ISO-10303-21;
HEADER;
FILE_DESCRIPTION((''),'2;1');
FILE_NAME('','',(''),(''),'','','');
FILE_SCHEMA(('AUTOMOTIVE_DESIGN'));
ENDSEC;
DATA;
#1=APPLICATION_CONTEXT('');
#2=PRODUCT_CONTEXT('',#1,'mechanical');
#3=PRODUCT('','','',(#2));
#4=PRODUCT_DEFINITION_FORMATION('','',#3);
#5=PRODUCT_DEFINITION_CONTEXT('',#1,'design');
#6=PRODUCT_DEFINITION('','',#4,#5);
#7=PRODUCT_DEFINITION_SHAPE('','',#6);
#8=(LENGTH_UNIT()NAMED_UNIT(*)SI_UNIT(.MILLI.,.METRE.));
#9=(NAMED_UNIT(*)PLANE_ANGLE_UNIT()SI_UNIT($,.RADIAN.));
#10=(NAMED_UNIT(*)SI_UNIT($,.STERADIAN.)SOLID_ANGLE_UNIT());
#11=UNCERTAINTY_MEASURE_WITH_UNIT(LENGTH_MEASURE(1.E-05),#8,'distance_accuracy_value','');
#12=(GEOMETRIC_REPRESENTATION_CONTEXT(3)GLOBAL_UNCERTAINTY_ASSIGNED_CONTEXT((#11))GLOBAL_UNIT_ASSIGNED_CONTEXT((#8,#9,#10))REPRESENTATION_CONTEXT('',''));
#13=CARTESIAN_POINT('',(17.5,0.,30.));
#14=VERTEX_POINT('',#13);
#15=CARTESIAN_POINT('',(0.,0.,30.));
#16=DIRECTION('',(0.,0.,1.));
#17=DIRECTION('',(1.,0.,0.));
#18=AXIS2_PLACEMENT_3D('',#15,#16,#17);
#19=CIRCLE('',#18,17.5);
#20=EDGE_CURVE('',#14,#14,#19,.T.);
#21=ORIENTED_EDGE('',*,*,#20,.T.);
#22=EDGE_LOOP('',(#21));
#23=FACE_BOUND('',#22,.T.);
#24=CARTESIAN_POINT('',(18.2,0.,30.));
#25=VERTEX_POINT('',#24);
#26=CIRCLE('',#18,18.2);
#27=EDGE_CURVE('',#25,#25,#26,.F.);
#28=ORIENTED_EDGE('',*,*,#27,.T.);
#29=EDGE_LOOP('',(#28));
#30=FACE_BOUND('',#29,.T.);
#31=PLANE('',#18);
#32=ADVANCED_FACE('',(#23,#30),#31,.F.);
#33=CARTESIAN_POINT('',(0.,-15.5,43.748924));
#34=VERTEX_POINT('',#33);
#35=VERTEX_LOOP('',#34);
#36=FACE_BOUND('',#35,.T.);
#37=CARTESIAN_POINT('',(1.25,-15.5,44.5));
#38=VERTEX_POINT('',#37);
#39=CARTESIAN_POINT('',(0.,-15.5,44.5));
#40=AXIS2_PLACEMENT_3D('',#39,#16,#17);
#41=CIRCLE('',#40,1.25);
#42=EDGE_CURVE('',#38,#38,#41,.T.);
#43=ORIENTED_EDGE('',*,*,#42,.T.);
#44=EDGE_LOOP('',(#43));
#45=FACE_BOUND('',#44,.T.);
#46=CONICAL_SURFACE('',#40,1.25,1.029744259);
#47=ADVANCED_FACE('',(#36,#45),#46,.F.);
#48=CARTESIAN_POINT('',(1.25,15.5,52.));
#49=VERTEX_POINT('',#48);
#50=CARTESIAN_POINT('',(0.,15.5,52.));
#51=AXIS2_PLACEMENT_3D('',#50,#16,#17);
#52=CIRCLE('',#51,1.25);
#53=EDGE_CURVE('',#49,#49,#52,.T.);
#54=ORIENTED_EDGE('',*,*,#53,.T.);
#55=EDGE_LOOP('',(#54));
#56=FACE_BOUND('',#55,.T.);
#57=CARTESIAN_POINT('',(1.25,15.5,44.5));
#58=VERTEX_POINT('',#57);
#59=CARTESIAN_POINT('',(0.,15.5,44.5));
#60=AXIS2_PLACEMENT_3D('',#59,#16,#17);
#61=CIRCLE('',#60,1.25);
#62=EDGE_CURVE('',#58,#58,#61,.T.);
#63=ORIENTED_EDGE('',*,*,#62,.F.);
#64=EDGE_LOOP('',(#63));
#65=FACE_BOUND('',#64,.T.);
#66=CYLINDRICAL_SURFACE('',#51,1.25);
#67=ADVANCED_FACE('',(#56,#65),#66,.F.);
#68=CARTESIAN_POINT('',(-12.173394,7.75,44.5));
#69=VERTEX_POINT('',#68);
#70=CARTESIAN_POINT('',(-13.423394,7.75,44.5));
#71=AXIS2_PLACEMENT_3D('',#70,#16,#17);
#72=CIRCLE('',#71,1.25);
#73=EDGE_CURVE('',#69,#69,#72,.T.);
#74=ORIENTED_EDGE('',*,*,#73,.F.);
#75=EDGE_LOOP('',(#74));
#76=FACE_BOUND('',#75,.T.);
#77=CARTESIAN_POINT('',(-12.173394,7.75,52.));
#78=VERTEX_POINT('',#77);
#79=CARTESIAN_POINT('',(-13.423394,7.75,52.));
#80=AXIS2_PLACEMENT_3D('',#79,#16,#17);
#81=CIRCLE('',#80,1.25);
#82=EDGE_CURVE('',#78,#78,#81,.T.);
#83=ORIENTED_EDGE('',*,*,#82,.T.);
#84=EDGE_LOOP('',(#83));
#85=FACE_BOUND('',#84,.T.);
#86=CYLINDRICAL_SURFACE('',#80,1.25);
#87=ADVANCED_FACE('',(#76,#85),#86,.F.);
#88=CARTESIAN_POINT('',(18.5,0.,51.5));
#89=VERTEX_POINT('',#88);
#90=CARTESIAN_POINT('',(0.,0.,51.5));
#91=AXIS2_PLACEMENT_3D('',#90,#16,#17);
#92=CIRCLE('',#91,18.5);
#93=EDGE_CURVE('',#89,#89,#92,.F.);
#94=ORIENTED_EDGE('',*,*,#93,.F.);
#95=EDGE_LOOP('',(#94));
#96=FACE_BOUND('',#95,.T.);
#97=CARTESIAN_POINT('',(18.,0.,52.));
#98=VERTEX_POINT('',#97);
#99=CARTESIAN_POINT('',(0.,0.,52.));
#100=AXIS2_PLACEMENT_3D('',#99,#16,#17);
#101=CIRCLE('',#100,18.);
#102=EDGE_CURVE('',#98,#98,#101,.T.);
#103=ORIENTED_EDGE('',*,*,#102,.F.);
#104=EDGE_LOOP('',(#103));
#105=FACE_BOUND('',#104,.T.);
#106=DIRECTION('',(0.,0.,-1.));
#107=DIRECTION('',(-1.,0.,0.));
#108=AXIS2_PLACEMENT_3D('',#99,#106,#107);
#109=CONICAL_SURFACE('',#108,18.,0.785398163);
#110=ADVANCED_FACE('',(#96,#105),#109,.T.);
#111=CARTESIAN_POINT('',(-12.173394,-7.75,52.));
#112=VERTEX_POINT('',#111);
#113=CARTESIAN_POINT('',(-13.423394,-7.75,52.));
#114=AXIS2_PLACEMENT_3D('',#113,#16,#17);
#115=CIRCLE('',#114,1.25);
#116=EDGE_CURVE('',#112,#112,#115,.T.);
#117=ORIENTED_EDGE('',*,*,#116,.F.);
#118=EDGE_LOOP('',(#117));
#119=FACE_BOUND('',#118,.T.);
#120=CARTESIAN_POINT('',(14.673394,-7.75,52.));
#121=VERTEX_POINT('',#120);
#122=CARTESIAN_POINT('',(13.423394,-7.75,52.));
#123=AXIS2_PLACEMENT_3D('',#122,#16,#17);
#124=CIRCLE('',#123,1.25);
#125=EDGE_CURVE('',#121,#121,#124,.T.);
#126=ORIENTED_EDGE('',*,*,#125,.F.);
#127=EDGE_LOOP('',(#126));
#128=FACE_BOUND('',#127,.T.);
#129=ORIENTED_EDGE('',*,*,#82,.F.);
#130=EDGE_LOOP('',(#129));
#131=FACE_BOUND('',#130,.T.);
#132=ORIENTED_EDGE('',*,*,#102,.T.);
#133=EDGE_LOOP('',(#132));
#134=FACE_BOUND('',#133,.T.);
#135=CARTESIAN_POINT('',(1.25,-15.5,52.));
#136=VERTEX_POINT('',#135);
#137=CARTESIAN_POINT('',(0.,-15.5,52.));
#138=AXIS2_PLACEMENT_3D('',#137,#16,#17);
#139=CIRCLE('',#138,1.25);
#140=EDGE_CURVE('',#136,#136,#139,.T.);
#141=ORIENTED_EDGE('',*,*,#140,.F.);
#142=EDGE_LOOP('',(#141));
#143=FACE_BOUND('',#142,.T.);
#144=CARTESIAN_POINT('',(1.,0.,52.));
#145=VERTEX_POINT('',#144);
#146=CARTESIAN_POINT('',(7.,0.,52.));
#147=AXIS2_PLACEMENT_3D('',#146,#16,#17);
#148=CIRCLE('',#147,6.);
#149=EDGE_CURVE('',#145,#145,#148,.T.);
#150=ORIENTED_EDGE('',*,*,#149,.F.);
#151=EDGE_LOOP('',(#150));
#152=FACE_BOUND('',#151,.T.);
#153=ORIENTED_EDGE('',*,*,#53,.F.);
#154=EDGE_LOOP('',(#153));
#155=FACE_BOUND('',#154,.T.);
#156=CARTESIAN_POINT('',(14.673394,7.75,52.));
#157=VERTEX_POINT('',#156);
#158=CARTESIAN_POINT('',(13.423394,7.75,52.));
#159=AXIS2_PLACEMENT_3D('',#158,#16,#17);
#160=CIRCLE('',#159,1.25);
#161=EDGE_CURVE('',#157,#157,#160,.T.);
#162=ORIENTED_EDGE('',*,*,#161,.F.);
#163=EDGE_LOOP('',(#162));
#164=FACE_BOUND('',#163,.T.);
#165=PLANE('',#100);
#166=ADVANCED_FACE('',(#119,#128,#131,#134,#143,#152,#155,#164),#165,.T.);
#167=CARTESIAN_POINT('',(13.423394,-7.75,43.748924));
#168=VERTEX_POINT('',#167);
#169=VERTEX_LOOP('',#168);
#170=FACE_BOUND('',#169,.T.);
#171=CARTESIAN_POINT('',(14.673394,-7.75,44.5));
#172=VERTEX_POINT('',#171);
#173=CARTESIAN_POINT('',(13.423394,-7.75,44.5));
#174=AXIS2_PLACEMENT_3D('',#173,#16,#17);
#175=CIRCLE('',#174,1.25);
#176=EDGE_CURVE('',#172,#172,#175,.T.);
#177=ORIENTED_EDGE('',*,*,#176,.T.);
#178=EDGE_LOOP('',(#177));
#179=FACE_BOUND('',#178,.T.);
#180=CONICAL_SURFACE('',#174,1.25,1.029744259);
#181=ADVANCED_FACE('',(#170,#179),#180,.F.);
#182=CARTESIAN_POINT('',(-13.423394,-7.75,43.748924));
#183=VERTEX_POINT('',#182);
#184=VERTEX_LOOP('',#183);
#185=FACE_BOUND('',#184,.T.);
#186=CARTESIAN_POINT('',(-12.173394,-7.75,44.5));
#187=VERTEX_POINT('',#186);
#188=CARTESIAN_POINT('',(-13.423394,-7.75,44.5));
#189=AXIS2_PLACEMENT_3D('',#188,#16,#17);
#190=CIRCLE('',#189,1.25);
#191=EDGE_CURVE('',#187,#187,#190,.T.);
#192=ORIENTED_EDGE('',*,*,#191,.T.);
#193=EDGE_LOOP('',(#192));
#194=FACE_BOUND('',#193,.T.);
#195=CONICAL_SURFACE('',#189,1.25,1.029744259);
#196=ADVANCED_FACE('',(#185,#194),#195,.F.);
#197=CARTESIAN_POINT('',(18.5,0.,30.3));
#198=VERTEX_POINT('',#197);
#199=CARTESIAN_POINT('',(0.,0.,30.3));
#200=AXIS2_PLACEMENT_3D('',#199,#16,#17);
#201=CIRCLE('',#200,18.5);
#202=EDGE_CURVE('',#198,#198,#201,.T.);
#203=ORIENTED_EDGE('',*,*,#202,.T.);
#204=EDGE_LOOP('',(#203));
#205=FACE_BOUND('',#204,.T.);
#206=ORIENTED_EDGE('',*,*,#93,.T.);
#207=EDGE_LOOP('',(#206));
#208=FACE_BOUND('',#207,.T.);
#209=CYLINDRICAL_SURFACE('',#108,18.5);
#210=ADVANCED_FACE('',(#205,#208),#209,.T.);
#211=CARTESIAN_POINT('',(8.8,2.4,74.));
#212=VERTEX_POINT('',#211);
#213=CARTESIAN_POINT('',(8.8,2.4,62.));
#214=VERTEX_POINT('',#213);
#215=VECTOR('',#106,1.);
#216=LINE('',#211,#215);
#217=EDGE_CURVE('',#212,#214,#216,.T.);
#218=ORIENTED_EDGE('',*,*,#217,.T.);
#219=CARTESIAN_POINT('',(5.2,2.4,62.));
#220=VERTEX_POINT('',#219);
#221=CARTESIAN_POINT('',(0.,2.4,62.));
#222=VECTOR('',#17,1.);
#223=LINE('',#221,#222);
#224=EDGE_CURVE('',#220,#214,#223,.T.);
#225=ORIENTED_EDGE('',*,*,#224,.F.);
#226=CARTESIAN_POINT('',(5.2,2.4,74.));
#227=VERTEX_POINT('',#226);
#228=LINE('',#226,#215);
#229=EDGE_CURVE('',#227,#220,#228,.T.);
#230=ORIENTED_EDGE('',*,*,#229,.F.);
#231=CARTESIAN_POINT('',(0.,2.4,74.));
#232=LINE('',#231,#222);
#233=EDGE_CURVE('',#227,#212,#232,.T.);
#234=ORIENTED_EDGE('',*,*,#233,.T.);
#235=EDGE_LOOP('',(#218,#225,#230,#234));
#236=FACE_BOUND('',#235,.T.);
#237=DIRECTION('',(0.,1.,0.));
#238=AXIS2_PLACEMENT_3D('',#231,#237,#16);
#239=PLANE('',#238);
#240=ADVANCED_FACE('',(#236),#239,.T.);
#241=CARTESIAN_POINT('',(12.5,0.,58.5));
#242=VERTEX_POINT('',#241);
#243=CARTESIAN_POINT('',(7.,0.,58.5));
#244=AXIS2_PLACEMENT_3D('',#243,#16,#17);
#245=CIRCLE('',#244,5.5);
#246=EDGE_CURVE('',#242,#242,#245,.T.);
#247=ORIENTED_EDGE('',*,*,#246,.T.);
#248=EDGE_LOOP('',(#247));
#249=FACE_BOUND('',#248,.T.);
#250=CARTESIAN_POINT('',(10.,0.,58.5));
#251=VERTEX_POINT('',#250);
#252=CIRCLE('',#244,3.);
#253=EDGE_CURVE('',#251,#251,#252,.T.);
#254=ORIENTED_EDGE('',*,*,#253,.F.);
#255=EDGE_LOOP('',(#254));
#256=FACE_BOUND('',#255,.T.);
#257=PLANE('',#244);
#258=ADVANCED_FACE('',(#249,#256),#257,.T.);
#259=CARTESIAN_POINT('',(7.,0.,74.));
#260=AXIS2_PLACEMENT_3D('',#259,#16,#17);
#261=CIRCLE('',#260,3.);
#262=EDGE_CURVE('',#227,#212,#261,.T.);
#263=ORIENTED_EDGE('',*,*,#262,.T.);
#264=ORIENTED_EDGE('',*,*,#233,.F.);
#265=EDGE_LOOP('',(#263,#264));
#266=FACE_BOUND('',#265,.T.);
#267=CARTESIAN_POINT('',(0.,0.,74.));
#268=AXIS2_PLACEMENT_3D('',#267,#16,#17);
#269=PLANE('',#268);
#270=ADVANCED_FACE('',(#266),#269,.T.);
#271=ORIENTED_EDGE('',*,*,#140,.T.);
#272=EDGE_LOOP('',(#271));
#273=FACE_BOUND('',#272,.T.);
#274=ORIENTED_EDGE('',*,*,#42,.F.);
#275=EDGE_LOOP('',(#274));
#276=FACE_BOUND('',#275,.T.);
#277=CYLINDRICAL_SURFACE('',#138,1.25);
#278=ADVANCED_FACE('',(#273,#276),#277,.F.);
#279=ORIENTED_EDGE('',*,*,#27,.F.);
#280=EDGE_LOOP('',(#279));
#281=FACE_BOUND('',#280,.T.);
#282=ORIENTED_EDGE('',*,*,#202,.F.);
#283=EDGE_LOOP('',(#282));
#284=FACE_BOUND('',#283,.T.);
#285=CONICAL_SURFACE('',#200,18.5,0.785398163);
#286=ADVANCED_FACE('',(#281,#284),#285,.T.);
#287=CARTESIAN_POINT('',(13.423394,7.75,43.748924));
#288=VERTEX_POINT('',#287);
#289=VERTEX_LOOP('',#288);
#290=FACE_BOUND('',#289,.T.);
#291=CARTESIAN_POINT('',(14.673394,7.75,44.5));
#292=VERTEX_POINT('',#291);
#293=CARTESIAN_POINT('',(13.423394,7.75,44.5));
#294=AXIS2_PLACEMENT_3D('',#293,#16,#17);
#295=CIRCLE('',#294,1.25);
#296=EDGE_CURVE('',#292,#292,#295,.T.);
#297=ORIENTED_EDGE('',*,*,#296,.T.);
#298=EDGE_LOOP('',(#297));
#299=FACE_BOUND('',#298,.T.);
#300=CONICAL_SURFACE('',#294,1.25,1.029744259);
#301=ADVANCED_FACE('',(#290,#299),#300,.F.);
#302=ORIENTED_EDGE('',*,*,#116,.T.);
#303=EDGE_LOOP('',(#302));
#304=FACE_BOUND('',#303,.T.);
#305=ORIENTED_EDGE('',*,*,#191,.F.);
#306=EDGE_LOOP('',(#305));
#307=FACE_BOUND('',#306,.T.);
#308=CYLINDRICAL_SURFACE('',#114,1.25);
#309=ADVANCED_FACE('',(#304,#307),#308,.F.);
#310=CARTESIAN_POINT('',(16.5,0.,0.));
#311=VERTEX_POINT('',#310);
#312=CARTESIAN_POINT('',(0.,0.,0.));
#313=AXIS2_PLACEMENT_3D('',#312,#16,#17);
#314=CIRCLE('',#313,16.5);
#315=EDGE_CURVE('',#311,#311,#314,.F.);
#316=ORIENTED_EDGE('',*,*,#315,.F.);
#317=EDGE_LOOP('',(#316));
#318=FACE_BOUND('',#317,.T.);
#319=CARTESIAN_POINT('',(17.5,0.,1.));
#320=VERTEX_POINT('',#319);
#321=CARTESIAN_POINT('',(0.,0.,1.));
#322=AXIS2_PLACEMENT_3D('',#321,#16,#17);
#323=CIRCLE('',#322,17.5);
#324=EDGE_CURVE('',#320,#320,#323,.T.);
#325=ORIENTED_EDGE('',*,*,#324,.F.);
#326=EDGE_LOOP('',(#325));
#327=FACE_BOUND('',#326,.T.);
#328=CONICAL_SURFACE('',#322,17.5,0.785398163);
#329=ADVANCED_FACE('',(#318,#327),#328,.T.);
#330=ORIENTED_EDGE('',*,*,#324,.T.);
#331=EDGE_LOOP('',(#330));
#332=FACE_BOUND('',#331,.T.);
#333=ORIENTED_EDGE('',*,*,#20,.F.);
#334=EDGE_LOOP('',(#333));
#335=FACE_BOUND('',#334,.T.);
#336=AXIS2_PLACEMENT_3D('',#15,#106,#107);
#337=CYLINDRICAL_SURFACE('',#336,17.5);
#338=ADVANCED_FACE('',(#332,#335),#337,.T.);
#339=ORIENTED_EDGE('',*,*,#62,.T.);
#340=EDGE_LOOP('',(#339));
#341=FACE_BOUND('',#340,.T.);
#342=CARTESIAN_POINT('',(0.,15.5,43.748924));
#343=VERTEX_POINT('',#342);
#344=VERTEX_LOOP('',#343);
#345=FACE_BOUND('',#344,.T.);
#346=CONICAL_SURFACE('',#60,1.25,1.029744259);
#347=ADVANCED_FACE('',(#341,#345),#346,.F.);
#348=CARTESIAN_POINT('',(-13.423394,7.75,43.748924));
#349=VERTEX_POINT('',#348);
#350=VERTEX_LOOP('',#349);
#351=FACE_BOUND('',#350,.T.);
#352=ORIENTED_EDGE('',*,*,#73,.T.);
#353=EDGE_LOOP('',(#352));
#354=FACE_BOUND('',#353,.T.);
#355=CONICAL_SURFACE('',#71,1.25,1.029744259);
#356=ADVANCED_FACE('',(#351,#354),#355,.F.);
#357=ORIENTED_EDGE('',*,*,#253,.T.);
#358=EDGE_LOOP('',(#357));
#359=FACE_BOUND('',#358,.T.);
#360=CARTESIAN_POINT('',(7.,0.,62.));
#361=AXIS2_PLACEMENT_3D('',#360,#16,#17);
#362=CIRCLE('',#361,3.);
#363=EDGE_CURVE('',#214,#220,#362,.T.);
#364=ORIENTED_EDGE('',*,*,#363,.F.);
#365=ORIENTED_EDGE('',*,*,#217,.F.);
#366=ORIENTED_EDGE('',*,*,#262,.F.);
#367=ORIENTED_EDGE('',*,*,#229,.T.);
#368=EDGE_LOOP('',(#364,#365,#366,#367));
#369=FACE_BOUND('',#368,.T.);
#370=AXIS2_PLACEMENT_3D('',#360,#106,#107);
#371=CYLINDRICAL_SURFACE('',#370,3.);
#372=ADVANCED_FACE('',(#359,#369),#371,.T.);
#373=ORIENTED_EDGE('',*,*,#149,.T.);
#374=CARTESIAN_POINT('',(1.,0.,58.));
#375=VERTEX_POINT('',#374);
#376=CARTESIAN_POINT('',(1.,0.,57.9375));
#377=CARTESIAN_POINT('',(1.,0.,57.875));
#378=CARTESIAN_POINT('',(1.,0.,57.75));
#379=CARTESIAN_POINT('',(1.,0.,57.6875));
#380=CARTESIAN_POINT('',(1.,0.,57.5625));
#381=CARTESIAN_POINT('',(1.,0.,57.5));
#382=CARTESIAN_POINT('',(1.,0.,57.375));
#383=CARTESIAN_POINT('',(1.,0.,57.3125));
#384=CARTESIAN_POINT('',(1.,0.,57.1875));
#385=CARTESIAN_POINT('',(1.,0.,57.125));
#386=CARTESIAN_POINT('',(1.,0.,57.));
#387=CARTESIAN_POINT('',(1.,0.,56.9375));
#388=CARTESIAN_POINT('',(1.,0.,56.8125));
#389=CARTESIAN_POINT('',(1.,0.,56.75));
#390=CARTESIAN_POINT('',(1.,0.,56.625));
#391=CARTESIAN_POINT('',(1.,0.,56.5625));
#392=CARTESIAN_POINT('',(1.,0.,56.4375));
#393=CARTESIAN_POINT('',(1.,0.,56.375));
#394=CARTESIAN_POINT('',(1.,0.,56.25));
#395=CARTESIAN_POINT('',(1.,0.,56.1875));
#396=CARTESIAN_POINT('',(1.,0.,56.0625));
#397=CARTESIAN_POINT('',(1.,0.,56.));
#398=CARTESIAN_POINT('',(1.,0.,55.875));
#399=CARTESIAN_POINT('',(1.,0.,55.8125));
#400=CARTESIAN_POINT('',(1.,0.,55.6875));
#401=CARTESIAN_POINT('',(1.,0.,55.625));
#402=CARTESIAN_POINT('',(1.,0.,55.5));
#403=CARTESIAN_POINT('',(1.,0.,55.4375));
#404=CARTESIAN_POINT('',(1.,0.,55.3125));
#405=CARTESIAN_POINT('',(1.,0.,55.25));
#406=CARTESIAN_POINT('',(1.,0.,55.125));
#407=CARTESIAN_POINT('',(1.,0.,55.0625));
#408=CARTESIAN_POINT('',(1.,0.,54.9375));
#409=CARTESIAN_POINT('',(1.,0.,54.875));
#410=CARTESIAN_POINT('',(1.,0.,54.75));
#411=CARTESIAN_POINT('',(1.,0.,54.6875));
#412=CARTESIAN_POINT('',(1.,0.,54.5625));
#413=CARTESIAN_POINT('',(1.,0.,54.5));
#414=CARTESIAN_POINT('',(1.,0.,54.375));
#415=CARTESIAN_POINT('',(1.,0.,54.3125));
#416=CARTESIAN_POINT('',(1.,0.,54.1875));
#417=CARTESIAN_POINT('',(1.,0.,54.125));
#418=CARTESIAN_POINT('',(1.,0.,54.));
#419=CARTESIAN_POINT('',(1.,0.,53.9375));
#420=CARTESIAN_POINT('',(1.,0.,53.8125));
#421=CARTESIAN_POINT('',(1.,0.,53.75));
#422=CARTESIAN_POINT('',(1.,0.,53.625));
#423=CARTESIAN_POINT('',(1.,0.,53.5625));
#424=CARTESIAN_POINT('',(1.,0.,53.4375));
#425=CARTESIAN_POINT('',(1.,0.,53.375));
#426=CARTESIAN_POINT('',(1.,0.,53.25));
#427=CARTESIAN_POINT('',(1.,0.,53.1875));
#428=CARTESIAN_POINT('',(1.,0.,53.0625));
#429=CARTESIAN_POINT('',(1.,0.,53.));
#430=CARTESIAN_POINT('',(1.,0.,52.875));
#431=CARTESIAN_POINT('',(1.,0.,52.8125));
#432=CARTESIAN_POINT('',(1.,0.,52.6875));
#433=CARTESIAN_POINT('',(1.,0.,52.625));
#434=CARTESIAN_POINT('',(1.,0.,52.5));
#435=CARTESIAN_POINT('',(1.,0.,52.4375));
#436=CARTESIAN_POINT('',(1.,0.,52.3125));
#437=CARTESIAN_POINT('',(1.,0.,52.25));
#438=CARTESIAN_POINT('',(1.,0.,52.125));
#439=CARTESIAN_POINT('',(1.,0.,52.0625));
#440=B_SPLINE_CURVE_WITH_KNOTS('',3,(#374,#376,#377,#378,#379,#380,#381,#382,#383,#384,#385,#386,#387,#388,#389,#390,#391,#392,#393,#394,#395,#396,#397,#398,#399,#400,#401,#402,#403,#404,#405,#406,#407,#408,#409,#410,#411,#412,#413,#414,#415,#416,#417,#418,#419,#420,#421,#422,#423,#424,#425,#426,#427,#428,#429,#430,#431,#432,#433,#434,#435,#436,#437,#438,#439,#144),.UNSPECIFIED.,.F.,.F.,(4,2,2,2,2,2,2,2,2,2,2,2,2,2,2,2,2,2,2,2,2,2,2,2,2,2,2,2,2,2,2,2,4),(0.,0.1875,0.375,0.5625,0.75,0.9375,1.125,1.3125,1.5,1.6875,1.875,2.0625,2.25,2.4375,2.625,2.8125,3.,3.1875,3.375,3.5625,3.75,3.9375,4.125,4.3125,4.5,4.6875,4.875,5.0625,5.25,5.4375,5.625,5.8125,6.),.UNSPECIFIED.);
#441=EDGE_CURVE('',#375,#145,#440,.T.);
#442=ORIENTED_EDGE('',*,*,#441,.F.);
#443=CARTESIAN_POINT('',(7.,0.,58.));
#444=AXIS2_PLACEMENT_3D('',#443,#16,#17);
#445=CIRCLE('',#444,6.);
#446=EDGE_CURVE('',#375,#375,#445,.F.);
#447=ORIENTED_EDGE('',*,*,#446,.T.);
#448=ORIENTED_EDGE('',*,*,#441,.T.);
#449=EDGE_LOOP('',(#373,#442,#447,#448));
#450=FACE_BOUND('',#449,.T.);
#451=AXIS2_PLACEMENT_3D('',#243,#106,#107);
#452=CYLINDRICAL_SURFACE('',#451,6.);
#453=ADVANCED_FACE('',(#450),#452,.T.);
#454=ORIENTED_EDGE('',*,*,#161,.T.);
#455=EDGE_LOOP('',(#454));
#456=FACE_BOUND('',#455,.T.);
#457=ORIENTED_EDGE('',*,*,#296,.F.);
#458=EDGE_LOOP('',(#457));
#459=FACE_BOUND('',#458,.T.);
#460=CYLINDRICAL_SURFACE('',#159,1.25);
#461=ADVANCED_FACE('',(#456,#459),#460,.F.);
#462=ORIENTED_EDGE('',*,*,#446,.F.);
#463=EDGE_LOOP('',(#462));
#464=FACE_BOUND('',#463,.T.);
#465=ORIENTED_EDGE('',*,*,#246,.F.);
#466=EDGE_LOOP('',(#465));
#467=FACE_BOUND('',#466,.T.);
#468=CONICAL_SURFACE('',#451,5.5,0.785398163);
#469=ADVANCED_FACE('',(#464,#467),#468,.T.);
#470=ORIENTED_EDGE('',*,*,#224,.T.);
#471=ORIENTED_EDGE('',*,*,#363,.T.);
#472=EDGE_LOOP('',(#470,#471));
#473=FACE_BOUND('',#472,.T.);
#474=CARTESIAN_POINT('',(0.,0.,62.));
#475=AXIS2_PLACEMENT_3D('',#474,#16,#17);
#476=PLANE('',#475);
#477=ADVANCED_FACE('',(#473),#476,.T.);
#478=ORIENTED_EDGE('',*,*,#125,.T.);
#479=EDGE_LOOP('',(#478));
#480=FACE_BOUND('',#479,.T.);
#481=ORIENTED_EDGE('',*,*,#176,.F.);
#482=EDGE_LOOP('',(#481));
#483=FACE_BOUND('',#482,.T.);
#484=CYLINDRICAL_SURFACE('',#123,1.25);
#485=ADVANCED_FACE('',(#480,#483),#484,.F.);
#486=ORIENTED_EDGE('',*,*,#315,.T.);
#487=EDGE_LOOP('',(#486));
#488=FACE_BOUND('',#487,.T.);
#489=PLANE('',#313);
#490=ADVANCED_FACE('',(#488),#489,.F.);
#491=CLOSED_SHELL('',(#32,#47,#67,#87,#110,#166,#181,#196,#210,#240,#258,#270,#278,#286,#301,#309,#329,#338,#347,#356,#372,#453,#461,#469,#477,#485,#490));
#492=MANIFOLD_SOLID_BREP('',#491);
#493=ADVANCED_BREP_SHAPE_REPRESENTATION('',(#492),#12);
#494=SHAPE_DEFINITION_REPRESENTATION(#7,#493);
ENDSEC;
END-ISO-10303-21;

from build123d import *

# Parameters (mm, degrees)
SKETCH2_R                 = 17.5
BOSS_EXTRUDE1_DEPTH       = 30
SKETCH3_R                 = 18.5
BOSS_EXTRUDE2_DEPTH       = 22
M3X0_5_TAPPED_HOLE1_D     = 2.5
M3X0_5_TAPPED_HOLE1_DEPTH = 7.5
M3X0_5_TAPPED_HOLE1_TIP   = 0.751075774
SKETCH6_R                 = 6
BOSS_EXTRUDE3_DEPTH       = 6.5
SKETCH8_R                 = 3
BOSS_EXTRUDE4_DEPTH       = 3.5
BOSS_EXTRUDE5_DEPTH       = 12
CHAMFER1_SIZE             = 0.5
CHAMFER2_SIZE             = 0.5
CHAMFER3_SIZE             = 0.3
CHAMFER4_SIZE             = 1


with BuildPart() as part:
    # Sketch2 → Boss-Extrude1 (new body)
    with BuildSketch(Plane.XY):
        Circle(SKETCH2_R)
    extrude(amount=BOSS_EXTRUDE1_DEPTH)

    # Sketch3 → Boss-Extrude2 (add)
    with BuildSketch(Plane.XY.offset(30)):
        Circle(SKETCH3_R)
    extrude(amount=BOSS_EXTRUDE2_DEPTH)

    # M3x0.5 Tapped Hole1
    with Locations(Plane.XY.offset(52)):
        with Locations((13.423393759, -7.75), (13.423393759, 7.75), (0, 15.5), (-13.423393759, 7.75), (-13.423393759, -7.75), (0, -15.5)):
            Hole(M3X0_5_TAPPED_HOLE1_D / 2, depth=M3X0_5_TAPPED_HOLE1_DEPTH)
            with Locations((0, 0, -(M3X0_5_TAPPED_HOLE1_DEPTH + M3X0_5_TAPPED_HOLE1_TIP / 2))):  # 118° drill point
                Cone(0, M3X0_5_TAPPED_HOLE1_D / 2, M3X0_5_TAPPED_HOLE1_TIP, mode=Mode.SUBTRACT)

    # Sketch6 → Boss-Extrude3 (add)
    with BuildSketch(Plane.XY.offset(52)):
        with Locations((7, 0)):
            Circle(SKETCH6_R)
    extrude(amount=BOSS_EXTRUDE3_DEPTH)

    # Sketch8 → Boss-Extrude4 (add)
    with BuildSketch(Plane.XY.offset(58.5)):
        with Locations((7, 0)):
            Circle(SKETCH8_R)
    extrude(amount=BOSS_EXTRUDE4_DEPTH)

    # Sketch9 → Boss-Extrude5 (add)
    with BuildSketch(Plane.XY.offset(62)):
        with BuildLine():
            Line((8.8, 2.4), (5.2, 2.4))
            ThreePointArc((5.2, 2.4), (5.658359214, -2.683281573), (10, 0))
            ThreePointArc((10, 0), (9.683281573, 1.341640786), (8.8, 2.4))
        make_face()
    extrude(amount=BOSS_EXTRUDE5_DEPTH)

    # Chamfer1
    chamfer1_edges = [part.edges().sort_by_distance(p)[0] for p in [
        (-18.5, 0, 52),
    ]]
    chamfer(chamfer1_edges, length=CHAMFER1_SIZE)

    # Chamfer2
    chamfer2_edges = [part.edges().sort_by_distance(p)[0] for p in [
        (1, 0, 58.5),
    ]]
    chamfer(chamfer2_edges, length=CHAMFER2_SIZE)

    # Chamfer3
    chamfer3_edges = [part.edges().sort_by_distance(p)[0] for p in [
        (-18.5, 0, 30),
    ]]
    chamfer(chamfer3_edges, length=CHAMFER3_SIZE)

    # Chamfer4
    chamfer4_edges = [part.edges().sort_by_distance(p)[0] for p in [
        (-17.5, 0, 0),
    ]]
    chamfer(chamfer4_edges, length=CHAMFER4_SIZE)


solid = part.part
